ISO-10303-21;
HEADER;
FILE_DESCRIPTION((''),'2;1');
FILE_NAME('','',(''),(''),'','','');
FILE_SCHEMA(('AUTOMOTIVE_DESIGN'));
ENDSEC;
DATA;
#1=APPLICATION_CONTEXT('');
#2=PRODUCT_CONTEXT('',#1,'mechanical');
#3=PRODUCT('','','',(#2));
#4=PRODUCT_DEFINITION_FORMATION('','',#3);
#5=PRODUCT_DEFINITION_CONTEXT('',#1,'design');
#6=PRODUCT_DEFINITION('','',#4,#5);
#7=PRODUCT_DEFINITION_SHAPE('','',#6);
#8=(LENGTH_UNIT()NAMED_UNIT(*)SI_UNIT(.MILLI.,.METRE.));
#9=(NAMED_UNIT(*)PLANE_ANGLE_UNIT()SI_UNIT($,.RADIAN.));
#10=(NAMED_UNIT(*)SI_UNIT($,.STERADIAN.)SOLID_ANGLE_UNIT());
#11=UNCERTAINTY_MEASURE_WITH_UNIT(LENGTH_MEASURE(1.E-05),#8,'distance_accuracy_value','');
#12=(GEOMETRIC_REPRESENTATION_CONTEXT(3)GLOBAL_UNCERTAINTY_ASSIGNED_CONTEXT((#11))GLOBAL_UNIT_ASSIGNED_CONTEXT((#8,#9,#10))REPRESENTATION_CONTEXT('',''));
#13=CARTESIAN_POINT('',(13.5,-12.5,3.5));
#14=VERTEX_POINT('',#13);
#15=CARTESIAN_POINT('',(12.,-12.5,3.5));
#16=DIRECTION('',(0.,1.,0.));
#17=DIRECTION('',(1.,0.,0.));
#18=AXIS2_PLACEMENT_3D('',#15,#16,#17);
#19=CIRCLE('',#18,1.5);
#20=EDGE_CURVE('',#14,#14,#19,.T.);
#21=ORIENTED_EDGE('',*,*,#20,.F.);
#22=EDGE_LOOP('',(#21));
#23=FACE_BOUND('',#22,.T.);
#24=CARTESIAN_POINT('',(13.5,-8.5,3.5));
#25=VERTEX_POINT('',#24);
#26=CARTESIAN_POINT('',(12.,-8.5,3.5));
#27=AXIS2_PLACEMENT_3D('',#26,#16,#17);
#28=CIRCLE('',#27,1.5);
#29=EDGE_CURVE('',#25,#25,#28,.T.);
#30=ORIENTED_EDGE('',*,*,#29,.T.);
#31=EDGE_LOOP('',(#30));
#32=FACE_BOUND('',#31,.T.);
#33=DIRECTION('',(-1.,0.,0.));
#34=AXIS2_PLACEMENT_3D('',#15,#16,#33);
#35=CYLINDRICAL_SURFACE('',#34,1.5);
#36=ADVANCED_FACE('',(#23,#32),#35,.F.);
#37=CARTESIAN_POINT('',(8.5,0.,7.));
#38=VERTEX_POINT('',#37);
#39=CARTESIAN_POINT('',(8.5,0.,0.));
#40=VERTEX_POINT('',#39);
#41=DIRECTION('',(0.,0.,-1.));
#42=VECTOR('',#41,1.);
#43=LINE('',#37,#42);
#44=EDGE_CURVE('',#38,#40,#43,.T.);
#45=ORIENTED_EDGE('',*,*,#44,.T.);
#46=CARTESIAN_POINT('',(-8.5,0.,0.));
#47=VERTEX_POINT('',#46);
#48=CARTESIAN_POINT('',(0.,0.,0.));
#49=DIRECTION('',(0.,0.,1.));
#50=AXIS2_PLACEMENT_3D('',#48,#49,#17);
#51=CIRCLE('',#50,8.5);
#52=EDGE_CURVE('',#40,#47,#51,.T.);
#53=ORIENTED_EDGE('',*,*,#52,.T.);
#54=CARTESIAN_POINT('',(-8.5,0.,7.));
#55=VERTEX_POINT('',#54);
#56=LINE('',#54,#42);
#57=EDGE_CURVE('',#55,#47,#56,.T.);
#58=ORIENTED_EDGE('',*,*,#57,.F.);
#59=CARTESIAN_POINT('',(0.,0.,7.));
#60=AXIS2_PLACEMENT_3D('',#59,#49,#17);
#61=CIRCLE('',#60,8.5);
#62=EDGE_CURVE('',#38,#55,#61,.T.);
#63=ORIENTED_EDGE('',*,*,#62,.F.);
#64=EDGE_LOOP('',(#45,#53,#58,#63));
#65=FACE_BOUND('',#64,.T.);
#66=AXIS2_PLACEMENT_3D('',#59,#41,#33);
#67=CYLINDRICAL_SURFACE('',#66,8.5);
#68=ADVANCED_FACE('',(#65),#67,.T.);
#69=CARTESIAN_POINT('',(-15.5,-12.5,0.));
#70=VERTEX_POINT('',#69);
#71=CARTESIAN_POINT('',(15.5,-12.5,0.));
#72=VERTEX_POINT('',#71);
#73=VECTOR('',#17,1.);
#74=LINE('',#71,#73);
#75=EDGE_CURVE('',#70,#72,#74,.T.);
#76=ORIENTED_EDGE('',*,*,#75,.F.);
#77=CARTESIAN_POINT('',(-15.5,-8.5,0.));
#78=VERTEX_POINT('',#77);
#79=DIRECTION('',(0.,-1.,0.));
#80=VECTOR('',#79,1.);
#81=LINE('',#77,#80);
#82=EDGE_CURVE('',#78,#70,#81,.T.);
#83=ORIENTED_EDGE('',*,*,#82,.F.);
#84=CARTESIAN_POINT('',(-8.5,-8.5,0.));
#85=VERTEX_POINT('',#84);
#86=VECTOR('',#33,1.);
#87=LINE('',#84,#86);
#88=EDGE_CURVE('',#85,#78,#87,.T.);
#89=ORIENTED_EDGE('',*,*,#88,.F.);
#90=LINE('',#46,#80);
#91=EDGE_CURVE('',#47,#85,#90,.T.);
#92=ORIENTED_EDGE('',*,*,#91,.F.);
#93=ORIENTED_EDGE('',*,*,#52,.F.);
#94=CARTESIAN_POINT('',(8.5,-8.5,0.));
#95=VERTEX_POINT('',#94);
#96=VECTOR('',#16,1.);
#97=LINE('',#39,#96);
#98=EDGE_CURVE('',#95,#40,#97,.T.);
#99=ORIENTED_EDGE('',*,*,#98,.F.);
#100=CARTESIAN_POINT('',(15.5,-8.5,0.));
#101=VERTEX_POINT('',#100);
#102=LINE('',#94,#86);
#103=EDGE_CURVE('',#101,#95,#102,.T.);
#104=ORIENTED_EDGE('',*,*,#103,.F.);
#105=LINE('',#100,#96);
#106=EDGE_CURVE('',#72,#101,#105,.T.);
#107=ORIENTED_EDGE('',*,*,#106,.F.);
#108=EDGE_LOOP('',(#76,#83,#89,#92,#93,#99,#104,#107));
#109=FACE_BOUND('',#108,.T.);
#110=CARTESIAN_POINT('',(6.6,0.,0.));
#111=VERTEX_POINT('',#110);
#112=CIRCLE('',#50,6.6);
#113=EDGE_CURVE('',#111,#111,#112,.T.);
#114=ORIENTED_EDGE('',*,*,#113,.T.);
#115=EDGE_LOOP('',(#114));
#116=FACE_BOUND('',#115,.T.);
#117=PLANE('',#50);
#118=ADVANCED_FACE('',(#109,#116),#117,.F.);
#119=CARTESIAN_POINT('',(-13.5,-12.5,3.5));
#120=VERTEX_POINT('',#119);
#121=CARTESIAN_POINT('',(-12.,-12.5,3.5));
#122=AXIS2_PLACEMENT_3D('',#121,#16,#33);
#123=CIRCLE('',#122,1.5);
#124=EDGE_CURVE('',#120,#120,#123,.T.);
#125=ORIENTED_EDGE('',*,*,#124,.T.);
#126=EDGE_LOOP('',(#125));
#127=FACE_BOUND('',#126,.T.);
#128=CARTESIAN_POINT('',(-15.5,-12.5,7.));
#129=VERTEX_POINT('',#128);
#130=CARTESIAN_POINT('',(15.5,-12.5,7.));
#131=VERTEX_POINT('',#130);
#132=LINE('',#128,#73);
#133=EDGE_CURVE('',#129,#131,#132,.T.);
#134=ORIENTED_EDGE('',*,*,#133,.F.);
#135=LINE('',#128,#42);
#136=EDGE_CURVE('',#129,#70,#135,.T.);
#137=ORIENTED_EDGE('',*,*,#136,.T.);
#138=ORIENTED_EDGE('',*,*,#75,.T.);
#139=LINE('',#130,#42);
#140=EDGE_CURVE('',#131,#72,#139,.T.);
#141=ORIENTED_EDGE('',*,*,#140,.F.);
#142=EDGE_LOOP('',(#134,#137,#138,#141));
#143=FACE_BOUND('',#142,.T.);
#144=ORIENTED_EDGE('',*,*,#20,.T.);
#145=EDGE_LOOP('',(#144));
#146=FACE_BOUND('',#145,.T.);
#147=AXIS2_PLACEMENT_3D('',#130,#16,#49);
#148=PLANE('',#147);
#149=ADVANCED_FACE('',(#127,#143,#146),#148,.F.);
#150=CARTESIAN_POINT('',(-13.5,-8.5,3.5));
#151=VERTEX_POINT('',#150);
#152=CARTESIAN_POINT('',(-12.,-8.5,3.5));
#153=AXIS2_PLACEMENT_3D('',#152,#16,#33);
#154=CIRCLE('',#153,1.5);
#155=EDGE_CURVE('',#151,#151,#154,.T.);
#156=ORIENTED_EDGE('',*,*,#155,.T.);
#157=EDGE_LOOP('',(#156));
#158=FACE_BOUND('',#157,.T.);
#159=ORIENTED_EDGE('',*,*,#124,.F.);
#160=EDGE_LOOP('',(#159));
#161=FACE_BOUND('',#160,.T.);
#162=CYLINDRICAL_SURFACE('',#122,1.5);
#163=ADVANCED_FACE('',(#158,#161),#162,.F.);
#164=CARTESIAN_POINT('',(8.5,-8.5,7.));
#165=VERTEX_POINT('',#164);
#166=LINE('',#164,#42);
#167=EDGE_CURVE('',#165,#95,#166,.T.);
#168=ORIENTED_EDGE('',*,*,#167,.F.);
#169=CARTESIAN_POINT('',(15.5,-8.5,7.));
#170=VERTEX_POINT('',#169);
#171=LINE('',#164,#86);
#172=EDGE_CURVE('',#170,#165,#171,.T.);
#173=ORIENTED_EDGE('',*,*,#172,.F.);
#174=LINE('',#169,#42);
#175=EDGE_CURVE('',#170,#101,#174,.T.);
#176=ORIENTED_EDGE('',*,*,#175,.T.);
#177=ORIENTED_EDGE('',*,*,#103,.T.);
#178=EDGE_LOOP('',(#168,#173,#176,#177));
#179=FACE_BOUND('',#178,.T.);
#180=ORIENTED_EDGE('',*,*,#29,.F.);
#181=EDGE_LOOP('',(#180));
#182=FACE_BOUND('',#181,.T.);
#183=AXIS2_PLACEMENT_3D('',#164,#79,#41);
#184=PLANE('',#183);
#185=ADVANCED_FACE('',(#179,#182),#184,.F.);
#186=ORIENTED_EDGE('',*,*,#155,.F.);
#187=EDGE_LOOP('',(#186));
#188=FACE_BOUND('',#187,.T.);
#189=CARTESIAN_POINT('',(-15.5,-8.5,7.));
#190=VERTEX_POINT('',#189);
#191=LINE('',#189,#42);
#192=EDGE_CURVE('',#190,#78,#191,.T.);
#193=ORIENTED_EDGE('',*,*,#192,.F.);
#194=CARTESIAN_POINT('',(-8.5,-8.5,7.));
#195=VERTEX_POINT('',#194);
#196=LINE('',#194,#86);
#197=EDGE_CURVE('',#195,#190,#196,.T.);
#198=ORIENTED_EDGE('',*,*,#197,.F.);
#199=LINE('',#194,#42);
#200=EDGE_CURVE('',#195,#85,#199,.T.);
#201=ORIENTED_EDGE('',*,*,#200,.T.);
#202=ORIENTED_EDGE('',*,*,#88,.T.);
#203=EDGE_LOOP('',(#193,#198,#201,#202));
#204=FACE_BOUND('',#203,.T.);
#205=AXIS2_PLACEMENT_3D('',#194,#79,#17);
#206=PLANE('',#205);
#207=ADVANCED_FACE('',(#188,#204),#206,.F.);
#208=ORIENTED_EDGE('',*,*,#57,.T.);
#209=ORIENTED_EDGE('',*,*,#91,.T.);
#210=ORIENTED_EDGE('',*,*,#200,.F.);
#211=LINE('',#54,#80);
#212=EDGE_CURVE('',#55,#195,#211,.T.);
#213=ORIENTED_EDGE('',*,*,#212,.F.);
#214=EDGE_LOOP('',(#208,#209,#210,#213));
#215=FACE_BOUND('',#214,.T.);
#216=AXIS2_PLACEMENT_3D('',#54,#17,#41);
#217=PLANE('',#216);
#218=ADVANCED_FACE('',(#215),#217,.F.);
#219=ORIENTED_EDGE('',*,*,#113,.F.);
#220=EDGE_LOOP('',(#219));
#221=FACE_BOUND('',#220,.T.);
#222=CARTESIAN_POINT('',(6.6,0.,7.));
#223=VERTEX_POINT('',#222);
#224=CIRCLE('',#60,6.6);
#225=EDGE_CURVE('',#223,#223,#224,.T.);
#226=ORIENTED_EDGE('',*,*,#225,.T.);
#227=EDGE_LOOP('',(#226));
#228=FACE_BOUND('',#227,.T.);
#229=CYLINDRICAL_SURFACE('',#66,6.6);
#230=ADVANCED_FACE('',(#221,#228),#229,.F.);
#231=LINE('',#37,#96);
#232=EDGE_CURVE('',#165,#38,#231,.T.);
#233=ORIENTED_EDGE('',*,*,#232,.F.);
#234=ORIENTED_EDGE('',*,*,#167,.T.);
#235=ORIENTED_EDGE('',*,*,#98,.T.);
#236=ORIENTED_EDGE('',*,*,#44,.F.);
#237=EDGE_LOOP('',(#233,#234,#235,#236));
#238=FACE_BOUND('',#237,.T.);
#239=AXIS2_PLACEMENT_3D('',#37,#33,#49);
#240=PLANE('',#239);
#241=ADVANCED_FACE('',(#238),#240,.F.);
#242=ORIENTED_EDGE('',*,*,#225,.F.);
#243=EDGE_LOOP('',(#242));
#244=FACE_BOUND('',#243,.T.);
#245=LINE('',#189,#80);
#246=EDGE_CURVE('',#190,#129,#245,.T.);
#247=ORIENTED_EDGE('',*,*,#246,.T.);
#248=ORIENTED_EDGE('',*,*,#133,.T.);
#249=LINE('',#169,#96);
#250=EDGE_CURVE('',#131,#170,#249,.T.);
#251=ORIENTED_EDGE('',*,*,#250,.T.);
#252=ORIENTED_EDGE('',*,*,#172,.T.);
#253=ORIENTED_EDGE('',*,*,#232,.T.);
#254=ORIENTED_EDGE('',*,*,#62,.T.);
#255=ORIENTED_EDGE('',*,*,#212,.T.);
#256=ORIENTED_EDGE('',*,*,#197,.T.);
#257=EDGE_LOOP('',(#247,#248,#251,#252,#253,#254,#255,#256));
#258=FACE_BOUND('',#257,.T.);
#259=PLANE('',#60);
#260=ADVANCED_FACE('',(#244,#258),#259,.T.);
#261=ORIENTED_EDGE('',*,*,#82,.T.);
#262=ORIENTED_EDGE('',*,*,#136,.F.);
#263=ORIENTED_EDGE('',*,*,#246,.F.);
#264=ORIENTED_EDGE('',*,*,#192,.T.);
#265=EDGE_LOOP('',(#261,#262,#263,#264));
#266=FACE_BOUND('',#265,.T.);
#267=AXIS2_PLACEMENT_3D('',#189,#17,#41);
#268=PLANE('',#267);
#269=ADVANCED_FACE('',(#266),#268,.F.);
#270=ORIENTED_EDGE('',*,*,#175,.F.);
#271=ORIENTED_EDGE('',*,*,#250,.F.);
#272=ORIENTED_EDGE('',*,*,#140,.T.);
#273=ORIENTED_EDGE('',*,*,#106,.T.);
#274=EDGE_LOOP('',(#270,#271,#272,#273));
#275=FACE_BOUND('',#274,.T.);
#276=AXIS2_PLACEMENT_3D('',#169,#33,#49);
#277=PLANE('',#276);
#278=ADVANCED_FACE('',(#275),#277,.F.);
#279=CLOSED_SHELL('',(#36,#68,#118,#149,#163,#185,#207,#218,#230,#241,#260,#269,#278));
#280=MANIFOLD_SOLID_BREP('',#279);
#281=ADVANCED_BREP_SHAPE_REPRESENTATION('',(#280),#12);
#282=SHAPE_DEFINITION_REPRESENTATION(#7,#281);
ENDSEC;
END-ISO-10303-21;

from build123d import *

# Parameters (mm, degrees)
SKETCH_1_R          = 6.6
EXTRUDE_1_DEPTH     = 7
SKETCH_2_R          = 1.5
CUT_EXTRUDE_1_DEPTH = 25.046829313


with BuildPart() as part:
    # 草图1 → 凸台-拉伸1 (new body)
    with BuildSketch(Plane.XY):
        with BuildLine():
            Line((-8.5, 0), (-8.5, -8.5))
            Line((-8.5, -8.5), (-15.5, -8.5))
            Line((-15.5, -8.5), (-15.5, -12.5))
            Line((-15.5, -12.5), (-8.5, -12.5))
            Line((-8.5, -12.5), (8.5, -12.5))
            Line((8.5, -12.5), (15.5, -12.5))
            Line((15.5, -12.5), (15.5, -8.5))
            Line((15.5, -8.5), (8.5, -8.5))
            Line((8.5, -8.5), (8.5, 0))
            ThreePointArc((8.5, 0), (0, 8.5), (-8.5, 0))
        make_face()
        Circle(SKETCH_1_R, mode=Mode.SUBTRACT)
    extrude(amount=EXTRUDE_1_DEPTH)

    # 草图2 → 切除-拉伸1 (cut, through all)
    with BuildSketch(Plane(origin=(0, -8.5, 0), x_dir=(1, 0, 0), z_dir=(0, 1, 0))):
        with Locations(Location((-12, -3.5, 0), (0, 0, 180))):
            Circle(SKETCH_2_R)
        with Locations((12, -3.5)):
            Circle(SKETCH_2_R)
    extrude(amount=-CUT_EXTRUDE_1_DEPTH, mode=Mode.SUBTRACT)


solid = part.part
